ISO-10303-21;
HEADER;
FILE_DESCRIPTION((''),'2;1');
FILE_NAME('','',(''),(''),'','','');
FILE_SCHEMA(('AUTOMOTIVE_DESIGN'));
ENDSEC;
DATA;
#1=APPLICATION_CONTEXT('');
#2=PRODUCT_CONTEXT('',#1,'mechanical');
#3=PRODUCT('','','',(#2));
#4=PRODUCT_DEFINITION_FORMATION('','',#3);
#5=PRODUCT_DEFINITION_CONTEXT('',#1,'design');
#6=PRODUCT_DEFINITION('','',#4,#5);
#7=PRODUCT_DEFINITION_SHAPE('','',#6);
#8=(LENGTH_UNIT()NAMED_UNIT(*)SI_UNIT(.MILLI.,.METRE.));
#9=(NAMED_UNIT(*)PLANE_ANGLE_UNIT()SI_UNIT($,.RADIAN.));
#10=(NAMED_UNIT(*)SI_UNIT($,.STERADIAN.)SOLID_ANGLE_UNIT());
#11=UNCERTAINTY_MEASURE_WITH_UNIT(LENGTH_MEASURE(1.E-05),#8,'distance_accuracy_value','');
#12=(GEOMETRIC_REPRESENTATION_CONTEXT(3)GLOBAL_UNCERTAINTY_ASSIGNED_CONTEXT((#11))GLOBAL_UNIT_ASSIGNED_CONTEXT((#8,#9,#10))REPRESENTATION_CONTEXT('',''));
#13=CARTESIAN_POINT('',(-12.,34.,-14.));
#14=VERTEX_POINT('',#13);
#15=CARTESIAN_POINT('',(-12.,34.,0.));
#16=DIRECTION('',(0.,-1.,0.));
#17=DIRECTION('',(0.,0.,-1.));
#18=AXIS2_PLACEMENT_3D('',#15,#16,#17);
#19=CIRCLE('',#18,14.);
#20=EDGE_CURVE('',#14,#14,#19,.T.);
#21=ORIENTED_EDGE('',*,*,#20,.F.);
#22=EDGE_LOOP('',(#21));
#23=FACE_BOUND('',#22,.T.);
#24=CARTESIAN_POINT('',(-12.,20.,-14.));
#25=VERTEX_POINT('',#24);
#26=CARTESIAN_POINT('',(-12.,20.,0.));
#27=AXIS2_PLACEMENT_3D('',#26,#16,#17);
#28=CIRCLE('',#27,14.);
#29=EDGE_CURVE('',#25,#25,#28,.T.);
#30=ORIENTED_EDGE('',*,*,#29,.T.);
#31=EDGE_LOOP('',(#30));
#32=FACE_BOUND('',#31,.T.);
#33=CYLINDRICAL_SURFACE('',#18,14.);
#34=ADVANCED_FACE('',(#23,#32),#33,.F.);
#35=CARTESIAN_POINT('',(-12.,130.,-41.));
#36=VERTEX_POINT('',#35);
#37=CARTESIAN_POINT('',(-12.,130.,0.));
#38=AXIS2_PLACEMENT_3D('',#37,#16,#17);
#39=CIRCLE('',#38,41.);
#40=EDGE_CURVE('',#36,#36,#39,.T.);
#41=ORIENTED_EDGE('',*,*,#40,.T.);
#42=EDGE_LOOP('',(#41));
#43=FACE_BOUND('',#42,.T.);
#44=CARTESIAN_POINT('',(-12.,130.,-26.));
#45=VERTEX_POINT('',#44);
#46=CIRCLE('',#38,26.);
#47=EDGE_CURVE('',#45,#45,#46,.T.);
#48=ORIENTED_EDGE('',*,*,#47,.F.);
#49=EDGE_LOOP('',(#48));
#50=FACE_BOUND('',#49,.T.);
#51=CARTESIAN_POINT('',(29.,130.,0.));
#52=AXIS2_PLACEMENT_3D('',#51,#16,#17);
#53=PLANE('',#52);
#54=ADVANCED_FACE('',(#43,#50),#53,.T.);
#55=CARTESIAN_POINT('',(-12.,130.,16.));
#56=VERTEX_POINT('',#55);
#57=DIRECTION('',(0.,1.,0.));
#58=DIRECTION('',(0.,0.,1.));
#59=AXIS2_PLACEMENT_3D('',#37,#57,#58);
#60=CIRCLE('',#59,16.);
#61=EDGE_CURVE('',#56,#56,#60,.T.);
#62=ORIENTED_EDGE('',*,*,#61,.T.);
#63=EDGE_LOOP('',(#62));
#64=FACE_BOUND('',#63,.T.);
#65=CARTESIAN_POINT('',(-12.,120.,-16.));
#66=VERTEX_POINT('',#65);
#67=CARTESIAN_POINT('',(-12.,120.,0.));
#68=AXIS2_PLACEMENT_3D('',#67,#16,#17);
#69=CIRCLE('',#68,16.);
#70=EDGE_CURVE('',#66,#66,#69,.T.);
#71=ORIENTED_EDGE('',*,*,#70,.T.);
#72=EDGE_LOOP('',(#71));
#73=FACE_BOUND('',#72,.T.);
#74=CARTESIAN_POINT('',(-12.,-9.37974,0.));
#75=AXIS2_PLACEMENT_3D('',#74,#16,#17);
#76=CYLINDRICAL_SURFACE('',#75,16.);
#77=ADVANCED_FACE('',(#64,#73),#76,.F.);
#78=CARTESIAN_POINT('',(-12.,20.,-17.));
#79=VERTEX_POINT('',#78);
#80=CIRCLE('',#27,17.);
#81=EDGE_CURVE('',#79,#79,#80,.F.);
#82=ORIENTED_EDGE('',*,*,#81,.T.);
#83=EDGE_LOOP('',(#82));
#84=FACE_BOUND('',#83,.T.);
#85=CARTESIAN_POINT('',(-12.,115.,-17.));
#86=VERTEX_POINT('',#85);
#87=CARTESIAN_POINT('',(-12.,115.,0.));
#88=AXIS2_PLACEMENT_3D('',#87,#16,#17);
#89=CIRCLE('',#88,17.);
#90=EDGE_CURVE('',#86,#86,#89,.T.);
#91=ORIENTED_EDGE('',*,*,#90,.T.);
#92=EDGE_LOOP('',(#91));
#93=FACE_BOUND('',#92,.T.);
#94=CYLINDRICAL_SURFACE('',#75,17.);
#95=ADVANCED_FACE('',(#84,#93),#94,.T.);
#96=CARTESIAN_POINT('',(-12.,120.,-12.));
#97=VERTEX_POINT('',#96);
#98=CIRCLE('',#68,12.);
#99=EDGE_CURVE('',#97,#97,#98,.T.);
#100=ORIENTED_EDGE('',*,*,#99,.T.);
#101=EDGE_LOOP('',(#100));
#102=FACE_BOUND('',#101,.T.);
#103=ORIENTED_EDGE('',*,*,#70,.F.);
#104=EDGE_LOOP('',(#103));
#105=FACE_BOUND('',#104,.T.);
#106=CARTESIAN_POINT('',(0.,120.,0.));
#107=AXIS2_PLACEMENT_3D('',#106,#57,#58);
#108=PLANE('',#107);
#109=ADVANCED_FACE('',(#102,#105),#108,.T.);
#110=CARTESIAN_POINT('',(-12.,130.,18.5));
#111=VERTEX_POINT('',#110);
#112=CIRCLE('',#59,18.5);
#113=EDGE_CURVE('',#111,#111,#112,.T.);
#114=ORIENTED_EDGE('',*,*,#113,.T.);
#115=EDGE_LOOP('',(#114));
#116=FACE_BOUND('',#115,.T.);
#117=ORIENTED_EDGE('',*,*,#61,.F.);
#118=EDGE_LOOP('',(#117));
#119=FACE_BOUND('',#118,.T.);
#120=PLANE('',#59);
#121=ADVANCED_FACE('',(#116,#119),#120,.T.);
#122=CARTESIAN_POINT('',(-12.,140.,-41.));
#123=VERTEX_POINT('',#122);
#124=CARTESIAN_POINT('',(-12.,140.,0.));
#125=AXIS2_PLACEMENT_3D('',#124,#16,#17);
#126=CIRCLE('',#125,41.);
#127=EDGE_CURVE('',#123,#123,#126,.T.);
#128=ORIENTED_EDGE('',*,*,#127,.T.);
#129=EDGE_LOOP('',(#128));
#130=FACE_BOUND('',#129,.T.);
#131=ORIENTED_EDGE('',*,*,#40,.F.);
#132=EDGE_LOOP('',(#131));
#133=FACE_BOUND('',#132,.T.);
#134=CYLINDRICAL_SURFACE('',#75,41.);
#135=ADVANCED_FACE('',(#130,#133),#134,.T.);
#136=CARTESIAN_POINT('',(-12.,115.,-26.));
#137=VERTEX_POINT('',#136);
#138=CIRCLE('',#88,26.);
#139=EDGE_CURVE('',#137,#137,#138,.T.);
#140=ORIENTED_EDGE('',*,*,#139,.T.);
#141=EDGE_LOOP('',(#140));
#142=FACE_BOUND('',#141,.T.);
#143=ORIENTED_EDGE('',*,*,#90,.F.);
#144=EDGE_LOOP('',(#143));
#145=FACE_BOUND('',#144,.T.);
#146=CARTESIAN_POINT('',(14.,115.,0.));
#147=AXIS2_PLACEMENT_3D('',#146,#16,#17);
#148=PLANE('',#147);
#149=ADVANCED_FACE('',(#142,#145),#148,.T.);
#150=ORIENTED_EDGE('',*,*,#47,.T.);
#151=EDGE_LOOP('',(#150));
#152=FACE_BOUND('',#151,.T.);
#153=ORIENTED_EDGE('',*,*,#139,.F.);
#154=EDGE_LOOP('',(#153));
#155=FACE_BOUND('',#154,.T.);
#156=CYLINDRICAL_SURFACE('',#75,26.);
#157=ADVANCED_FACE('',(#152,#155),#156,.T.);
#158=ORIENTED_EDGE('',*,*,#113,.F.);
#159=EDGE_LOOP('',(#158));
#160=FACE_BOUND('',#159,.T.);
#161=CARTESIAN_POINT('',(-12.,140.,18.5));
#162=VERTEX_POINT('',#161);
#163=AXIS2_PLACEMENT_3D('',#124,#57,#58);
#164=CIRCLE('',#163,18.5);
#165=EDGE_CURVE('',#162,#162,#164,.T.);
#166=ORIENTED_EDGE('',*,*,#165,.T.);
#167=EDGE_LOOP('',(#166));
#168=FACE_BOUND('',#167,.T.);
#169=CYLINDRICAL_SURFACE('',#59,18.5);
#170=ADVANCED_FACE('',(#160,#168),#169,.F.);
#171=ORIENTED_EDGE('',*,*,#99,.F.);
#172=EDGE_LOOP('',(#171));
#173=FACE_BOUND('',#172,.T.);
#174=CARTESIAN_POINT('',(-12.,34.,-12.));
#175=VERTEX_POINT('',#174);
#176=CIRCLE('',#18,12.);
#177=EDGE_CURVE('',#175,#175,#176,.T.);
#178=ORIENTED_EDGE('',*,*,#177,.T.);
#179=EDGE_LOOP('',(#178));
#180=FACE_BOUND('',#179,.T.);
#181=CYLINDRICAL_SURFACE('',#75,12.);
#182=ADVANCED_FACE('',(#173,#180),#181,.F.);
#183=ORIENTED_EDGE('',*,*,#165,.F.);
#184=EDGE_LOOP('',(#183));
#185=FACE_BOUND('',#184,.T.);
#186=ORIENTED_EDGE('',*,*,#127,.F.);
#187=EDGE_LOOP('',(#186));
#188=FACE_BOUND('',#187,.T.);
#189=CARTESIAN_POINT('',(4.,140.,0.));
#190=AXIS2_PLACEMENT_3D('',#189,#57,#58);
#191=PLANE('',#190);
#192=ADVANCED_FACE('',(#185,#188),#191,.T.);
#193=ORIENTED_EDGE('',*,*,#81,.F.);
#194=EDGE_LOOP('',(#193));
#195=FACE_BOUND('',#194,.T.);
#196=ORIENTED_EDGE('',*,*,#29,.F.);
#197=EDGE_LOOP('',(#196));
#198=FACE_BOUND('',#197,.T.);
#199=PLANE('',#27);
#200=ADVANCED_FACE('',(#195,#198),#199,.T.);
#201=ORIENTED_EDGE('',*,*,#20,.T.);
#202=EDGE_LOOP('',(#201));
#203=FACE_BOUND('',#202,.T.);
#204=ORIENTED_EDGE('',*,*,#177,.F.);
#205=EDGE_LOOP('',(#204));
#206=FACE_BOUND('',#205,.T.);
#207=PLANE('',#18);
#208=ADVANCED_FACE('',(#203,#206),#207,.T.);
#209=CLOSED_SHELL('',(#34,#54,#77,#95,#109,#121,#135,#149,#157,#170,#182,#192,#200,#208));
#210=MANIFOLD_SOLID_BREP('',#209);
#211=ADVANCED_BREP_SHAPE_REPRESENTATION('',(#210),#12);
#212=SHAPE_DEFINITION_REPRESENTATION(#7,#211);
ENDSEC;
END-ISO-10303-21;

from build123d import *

# Parameters (mm, degrees)
SKETCH3_R      = 18.5
EXTRUDE1_DEPTH = 20
SKETCH4_R      = 14
EXTRUDE2_DEPTH = 14
SKETCH5_R      = 18.5
EXTRUDE3_DEPTH = 10


with BuildPart() as part:
    # Sketch2 → Revolve1 (revolve)
    with BuildSketch(Plane.XY, mode=Mode.PRIVATE) as revolve1_sk:
        Polygon((0, 0), (0, 120), (4, 120), (4, 140), (29, 140), (29, 130), (14, 130), (14, 115), (5, 115), (5, 0), align=None)
    revolve(revolve1_sk.sketch.rotate(Axis((-12, -9.379740318, 0), (0, 1, 0)), 90), axis=Axis((-12, -9.379740318, 0), (0, 1, 0)))

    # Sketch3 → Extrude1 (cut)
    with BuildSketch(Plane.XZ):
        with Locations((-12, 0)):
            Circle(SKETCH3_R)
    extrude(amount=-EXTRUDE1_DEPTH, mode=Mode.SUBTRACT)

    # Sketch4 → Extrude2 (cut)
    with BuildSketch(Plane.XZ.offset(-20)):
        with Locations(Location((-12, 0, 0), (0, 0, 270))):
            Circle(SKETCH4_R)
    extrude(amount=-EXTRUDE2_DEPTH, mode=Mode.SUBTRACT)

    # Sketch5 → Extrude3 (cut)
    with BuildSketch(Plane(origin=(0, 140, 0), x_dir=(1, 0, 0), z_dir=(0, 1, 0))):
        with Locations(Location((-12, 0, 0), (0, 0, 270))):
            Circle(SKETCH5_R)
    extrude(amount=-EXTRUDE3_DEPTH, mode=Mode.SUBTRACT)


solid = part.part
